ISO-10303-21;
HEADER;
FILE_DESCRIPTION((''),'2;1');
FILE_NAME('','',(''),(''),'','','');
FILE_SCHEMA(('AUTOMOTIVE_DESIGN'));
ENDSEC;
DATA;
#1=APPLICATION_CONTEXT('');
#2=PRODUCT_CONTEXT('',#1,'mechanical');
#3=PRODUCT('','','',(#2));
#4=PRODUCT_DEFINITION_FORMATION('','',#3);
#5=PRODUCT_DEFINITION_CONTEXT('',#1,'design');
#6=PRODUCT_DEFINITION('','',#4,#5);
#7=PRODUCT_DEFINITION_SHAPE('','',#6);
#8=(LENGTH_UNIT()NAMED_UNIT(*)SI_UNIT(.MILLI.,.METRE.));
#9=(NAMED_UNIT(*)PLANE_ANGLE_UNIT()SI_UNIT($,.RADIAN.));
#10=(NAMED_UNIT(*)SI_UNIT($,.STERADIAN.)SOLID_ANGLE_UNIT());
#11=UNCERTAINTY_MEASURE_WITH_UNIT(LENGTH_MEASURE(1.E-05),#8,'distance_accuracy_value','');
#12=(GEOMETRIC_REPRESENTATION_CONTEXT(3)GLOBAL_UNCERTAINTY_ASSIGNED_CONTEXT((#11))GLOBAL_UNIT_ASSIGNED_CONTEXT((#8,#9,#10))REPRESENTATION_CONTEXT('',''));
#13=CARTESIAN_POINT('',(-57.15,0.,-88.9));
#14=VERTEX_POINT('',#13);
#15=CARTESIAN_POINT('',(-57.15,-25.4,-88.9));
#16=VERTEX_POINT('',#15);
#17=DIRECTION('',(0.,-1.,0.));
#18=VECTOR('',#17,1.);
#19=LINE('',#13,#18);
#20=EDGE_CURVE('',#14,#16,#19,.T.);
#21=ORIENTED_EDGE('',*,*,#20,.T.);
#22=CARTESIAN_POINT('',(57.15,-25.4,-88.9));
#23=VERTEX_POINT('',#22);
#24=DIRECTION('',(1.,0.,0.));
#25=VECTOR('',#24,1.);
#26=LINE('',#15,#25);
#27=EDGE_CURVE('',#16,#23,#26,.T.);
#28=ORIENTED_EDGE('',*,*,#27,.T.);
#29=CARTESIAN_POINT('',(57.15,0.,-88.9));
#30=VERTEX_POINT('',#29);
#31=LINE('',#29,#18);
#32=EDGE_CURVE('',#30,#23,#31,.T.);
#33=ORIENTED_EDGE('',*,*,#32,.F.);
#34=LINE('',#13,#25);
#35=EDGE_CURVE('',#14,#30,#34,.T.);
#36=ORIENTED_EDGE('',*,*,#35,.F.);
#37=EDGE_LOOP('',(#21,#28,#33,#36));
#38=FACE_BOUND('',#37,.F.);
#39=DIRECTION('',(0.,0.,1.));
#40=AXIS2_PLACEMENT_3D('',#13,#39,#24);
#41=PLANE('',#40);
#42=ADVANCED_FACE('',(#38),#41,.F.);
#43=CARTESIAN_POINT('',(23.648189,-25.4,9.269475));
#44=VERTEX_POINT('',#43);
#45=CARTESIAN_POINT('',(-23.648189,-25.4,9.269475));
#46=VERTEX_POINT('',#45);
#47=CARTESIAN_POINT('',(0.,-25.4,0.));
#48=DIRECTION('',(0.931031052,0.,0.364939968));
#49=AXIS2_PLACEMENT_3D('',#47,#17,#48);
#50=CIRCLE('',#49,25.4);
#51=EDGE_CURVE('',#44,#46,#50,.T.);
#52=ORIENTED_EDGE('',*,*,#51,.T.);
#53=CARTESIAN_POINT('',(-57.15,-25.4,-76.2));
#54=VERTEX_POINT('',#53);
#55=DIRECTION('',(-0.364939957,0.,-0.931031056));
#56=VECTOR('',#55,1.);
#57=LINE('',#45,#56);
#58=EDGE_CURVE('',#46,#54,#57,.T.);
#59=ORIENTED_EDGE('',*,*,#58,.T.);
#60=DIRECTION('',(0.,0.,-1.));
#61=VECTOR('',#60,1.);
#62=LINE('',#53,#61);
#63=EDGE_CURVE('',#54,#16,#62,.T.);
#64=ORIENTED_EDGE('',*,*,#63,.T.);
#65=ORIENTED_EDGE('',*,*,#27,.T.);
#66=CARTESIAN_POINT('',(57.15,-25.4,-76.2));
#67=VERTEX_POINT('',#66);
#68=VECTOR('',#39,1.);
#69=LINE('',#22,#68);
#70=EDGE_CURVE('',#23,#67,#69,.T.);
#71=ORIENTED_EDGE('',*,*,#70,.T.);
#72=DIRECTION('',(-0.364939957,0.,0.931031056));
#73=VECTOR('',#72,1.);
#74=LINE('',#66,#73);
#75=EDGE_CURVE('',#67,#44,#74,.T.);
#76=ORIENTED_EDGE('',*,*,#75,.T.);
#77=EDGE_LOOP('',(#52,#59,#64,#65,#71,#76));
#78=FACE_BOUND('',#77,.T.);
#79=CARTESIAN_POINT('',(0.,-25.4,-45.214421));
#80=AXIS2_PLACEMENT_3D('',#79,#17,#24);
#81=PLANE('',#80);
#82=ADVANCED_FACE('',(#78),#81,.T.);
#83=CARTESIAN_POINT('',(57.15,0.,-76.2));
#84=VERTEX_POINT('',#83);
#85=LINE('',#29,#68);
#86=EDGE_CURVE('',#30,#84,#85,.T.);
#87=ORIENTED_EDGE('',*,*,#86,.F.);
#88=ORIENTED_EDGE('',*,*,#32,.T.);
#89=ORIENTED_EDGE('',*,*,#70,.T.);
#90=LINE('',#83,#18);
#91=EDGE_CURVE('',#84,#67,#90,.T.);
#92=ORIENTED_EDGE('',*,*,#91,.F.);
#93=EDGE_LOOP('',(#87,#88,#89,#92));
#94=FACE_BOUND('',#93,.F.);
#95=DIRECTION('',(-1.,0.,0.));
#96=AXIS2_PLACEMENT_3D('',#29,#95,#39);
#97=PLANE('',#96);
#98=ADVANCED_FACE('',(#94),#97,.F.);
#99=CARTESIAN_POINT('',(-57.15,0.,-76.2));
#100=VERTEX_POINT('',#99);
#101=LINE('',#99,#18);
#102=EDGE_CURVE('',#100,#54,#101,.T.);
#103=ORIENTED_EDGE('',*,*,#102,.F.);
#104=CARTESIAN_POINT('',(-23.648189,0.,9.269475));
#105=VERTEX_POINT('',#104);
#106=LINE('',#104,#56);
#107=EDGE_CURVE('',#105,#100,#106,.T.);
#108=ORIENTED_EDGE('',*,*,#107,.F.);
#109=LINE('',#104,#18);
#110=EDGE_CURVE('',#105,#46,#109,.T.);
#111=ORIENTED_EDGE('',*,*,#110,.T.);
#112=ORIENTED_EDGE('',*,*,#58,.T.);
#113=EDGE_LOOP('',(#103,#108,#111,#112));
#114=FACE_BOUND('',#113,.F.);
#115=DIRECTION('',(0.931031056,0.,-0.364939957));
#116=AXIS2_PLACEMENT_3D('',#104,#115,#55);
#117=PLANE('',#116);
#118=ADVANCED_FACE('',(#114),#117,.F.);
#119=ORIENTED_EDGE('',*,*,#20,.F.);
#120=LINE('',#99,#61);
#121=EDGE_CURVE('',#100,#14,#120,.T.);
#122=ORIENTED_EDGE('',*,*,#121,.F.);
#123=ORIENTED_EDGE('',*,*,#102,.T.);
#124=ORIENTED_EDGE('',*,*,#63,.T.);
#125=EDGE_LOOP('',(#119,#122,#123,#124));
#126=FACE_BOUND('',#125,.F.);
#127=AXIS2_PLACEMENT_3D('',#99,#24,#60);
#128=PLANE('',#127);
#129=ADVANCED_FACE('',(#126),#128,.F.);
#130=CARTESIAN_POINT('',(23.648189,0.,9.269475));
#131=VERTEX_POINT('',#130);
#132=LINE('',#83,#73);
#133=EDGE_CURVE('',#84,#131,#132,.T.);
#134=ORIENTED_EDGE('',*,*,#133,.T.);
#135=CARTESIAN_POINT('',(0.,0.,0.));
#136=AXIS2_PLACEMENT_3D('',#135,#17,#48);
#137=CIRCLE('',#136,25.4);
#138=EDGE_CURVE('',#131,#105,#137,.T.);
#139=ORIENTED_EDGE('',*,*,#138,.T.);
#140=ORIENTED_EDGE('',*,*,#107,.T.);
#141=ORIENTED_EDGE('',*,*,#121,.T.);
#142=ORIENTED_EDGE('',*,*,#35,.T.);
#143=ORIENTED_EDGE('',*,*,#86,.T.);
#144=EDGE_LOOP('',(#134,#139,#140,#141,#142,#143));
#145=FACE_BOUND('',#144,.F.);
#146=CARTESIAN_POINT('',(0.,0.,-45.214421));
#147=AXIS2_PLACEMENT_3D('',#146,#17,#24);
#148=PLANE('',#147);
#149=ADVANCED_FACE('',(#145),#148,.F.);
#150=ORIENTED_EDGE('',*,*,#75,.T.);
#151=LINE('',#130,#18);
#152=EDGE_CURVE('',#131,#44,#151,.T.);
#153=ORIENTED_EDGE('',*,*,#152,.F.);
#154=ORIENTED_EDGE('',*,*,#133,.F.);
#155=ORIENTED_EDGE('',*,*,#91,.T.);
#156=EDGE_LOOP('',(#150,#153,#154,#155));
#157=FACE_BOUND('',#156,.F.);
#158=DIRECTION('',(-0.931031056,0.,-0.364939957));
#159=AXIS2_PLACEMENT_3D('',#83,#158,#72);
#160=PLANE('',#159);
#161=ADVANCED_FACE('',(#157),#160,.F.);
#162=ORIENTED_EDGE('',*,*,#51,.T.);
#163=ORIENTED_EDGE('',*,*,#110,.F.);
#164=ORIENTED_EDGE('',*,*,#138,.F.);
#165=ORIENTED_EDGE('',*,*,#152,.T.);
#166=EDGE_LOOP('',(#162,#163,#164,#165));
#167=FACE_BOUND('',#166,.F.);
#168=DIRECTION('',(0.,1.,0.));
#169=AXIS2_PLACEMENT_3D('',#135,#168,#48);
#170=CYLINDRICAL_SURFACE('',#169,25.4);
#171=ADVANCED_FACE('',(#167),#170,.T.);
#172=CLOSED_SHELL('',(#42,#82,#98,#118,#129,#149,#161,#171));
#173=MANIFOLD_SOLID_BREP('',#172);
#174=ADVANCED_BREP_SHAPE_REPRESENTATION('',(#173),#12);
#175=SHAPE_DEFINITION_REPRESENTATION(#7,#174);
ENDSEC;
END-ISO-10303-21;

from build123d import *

# Parameters (mm, degrees)
F2_DEPTH = 25.4


with BuildPart() as f2:
    # F0 (on Front) → F2 (new body)
    with BuildSketch(Plane.XZ):
        with BuildLine():
            Line((57.15, -76.2), (23.648189, 9.269475))
            ThreePointArc((23.648189, 9.269475), (0, 25.4), (-23.648189, 9.269475))
            Line((-23.648189, 9.269475), (-57.15, -76.2))
            Line((-57.15, -76.2), (-57.15, -88.9))
            Line((-57.15, -88.9), (0, -88.9))
            Line((0, -88.9), (57.15, -88.9))
            Line((57.15, -88.9), (57.15, -76.2))
        make_face()
    extrude(amount=F2_DEPTH)


solid = f2.part
